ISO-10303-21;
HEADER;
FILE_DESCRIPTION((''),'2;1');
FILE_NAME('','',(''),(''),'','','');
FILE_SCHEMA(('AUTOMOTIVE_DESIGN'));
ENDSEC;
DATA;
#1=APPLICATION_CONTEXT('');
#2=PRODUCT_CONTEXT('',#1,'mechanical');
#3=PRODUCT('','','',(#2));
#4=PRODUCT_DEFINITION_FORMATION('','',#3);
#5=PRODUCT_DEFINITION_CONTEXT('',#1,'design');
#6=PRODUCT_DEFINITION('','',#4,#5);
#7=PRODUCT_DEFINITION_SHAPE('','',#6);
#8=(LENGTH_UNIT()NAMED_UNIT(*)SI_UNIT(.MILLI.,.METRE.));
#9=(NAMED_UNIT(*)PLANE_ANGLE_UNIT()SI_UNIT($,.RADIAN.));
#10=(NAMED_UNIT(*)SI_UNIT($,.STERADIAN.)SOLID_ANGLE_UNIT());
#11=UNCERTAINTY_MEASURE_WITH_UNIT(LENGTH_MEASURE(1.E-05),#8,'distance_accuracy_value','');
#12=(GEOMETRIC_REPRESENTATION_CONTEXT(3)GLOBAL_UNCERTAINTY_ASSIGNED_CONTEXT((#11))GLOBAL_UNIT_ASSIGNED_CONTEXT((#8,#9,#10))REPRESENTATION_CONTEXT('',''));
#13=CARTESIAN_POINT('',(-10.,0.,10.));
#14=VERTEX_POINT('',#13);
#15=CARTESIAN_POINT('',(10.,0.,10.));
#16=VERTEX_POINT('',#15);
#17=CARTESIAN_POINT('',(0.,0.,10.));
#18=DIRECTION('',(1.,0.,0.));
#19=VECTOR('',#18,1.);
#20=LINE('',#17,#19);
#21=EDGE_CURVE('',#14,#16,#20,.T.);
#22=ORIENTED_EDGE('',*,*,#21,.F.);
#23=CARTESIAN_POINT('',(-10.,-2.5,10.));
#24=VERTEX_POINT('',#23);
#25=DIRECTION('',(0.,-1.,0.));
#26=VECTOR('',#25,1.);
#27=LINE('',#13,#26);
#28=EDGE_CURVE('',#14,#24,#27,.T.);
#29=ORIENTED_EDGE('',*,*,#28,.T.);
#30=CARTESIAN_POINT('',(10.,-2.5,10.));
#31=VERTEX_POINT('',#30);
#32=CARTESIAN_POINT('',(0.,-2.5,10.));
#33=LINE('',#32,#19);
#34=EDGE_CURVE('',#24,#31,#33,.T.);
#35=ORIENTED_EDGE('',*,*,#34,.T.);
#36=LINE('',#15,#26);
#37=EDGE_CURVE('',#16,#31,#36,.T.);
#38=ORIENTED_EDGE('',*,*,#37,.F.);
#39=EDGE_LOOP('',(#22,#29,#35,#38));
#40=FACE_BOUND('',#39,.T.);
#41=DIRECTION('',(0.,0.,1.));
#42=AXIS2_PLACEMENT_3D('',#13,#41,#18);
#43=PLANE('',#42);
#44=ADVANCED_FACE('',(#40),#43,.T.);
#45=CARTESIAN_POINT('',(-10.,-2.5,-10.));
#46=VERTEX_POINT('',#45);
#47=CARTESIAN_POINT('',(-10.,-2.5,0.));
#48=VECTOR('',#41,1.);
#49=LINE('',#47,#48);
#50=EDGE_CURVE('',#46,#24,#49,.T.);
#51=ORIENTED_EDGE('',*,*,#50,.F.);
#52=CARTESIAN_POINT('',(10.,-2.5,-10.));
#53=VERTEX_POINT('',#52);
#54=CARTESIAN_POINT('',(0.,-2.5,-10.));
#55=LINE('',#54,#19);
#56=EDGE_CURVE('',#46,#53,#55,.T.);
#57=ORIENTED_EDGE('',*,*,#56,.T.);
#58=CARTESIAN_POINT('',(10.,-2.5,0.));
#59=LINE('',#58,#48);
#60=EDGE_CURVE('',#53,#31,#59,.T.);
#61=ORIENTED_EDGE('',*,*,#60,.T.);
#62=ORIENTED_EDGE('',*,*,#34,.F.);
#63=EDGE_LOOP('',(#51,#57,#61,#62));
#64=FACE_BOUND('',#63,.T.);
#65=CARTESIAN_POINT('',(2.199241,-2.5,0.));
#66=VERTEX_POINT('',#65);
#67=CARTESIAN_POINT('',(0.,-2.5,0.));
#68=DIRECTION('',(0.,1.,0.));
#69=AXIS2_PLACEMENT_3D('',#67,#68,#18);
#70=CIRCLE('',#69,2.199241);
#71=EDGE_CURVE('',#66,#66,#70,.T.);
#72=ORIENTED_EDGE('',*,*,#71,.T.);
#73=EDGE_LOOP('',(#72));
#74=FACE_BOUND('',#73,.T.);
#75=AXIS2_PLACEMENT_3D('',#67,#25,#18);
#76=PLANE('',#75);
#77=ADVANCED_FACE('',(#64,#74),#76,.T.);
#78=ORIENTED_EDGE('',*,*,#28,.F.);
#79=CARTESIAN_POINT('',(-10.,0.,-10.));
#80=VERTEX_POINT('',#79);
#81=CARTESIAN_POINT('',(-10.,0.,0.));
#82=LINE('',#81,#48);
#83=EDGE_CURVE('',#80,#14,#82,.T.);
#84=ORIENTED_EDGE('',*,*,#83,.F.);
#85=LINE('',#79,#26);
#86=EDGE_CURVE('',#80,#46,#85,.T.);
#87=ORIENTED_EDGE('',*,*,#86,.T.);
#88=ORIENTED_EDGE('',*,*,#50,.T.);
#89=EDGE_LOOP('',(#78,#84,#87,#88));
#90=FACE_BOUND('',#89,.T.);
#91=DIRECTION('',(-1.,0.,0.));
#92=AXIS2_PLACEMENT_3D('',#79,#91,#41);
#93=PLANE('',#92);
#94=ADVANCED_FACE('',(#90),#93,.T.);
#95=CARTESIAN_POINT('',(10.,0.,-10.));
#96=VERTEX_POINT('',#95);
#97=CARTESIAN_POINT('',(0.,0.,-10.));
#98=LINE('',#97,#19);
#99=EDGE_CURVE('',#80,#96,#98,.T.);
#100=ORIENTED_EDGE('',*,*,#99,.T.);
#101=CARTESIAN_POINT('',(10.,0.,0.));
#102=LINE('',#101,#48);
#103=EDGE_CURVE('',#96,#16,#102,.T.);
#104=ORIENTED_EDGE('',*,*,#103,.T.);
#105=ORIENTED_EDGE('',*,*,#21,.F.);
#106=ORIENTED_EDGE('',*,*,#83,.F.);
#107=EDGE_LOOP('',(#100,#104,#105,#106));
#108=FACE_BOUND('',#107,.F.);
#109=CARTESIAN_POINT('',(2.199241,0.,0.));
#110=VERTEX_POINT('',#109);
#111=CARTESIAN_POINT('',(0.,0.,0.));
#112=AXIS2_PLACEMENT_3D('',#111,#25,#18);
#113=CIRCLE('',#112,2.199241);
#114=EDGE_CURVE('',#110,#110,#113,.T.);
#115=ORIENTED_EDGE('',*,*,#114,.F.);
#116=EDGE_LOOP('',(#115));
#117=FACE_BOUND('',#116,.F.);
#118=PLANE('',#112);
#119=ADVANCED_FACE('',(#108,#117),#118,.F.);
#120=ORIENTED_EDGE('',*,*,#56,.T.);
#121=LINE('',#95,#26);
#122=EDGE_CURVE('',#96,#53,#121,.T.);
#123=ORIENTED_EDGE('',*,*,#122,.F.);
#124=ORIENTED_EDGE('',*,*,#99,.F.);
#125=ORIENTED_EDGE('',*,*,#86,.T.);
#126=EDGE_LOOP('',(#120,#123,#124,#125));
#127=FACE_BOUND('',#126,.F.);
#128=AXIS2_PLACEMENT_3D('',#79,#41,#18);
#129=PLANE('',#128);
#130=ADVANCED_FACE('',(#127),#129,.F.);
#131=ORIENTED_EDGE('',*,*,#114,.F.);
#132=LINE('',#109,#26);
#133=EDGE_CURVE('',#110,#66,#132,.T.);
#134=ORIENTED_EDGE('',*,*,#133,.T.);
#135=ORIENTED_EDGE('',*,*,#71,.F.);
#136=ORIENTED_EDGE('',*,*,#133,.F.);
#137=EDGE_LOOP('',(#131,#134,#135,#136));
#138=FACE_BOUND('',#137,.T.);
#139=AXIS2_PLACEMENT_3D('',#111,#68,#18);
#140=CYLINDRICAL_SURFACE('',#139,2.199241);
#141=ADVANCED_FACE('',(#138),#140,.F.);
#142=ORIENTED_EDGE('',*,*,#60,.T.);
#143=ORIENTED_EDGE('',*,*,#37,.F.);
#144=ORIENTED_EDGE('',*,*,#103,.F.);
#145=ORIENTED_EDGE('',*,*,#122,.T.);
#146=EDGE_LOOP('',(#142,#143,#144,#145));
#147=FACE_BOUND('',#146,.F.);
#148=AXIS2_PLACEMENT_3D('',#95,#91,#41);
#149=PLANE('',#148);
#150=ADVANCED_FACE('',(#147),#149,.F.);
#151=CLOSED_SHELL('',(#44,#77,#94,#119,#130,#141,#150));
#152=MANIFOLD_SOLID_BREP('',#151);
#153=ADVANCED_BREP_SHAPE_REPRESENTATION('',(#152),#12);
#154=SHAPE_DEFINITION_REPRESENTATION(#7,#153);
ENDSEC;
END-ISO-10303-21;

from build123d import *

# Parameters (mm, degrees)
F0_W     = 20
F0_H     = 20
F2_DEPTH = 2.5
F1_R     = 2.199241
F3_DEPTH = 50


with BuildPart() as f2:
    # F0 (on Front) → F2 (new body)
    with BuildSketch(Plane.XZ):
        Rectangle(F0_W, F0_H)
    extrude(amount=F2_DEPTH)

    # F1 (on Front) → F3 (cut)
    with BuildSketch(Plane.XZ):
        Circle(F1_R)
    extrude(amount=F3_DEPTH, mode=Mode.SUBTRACT)


solid = f2.part
